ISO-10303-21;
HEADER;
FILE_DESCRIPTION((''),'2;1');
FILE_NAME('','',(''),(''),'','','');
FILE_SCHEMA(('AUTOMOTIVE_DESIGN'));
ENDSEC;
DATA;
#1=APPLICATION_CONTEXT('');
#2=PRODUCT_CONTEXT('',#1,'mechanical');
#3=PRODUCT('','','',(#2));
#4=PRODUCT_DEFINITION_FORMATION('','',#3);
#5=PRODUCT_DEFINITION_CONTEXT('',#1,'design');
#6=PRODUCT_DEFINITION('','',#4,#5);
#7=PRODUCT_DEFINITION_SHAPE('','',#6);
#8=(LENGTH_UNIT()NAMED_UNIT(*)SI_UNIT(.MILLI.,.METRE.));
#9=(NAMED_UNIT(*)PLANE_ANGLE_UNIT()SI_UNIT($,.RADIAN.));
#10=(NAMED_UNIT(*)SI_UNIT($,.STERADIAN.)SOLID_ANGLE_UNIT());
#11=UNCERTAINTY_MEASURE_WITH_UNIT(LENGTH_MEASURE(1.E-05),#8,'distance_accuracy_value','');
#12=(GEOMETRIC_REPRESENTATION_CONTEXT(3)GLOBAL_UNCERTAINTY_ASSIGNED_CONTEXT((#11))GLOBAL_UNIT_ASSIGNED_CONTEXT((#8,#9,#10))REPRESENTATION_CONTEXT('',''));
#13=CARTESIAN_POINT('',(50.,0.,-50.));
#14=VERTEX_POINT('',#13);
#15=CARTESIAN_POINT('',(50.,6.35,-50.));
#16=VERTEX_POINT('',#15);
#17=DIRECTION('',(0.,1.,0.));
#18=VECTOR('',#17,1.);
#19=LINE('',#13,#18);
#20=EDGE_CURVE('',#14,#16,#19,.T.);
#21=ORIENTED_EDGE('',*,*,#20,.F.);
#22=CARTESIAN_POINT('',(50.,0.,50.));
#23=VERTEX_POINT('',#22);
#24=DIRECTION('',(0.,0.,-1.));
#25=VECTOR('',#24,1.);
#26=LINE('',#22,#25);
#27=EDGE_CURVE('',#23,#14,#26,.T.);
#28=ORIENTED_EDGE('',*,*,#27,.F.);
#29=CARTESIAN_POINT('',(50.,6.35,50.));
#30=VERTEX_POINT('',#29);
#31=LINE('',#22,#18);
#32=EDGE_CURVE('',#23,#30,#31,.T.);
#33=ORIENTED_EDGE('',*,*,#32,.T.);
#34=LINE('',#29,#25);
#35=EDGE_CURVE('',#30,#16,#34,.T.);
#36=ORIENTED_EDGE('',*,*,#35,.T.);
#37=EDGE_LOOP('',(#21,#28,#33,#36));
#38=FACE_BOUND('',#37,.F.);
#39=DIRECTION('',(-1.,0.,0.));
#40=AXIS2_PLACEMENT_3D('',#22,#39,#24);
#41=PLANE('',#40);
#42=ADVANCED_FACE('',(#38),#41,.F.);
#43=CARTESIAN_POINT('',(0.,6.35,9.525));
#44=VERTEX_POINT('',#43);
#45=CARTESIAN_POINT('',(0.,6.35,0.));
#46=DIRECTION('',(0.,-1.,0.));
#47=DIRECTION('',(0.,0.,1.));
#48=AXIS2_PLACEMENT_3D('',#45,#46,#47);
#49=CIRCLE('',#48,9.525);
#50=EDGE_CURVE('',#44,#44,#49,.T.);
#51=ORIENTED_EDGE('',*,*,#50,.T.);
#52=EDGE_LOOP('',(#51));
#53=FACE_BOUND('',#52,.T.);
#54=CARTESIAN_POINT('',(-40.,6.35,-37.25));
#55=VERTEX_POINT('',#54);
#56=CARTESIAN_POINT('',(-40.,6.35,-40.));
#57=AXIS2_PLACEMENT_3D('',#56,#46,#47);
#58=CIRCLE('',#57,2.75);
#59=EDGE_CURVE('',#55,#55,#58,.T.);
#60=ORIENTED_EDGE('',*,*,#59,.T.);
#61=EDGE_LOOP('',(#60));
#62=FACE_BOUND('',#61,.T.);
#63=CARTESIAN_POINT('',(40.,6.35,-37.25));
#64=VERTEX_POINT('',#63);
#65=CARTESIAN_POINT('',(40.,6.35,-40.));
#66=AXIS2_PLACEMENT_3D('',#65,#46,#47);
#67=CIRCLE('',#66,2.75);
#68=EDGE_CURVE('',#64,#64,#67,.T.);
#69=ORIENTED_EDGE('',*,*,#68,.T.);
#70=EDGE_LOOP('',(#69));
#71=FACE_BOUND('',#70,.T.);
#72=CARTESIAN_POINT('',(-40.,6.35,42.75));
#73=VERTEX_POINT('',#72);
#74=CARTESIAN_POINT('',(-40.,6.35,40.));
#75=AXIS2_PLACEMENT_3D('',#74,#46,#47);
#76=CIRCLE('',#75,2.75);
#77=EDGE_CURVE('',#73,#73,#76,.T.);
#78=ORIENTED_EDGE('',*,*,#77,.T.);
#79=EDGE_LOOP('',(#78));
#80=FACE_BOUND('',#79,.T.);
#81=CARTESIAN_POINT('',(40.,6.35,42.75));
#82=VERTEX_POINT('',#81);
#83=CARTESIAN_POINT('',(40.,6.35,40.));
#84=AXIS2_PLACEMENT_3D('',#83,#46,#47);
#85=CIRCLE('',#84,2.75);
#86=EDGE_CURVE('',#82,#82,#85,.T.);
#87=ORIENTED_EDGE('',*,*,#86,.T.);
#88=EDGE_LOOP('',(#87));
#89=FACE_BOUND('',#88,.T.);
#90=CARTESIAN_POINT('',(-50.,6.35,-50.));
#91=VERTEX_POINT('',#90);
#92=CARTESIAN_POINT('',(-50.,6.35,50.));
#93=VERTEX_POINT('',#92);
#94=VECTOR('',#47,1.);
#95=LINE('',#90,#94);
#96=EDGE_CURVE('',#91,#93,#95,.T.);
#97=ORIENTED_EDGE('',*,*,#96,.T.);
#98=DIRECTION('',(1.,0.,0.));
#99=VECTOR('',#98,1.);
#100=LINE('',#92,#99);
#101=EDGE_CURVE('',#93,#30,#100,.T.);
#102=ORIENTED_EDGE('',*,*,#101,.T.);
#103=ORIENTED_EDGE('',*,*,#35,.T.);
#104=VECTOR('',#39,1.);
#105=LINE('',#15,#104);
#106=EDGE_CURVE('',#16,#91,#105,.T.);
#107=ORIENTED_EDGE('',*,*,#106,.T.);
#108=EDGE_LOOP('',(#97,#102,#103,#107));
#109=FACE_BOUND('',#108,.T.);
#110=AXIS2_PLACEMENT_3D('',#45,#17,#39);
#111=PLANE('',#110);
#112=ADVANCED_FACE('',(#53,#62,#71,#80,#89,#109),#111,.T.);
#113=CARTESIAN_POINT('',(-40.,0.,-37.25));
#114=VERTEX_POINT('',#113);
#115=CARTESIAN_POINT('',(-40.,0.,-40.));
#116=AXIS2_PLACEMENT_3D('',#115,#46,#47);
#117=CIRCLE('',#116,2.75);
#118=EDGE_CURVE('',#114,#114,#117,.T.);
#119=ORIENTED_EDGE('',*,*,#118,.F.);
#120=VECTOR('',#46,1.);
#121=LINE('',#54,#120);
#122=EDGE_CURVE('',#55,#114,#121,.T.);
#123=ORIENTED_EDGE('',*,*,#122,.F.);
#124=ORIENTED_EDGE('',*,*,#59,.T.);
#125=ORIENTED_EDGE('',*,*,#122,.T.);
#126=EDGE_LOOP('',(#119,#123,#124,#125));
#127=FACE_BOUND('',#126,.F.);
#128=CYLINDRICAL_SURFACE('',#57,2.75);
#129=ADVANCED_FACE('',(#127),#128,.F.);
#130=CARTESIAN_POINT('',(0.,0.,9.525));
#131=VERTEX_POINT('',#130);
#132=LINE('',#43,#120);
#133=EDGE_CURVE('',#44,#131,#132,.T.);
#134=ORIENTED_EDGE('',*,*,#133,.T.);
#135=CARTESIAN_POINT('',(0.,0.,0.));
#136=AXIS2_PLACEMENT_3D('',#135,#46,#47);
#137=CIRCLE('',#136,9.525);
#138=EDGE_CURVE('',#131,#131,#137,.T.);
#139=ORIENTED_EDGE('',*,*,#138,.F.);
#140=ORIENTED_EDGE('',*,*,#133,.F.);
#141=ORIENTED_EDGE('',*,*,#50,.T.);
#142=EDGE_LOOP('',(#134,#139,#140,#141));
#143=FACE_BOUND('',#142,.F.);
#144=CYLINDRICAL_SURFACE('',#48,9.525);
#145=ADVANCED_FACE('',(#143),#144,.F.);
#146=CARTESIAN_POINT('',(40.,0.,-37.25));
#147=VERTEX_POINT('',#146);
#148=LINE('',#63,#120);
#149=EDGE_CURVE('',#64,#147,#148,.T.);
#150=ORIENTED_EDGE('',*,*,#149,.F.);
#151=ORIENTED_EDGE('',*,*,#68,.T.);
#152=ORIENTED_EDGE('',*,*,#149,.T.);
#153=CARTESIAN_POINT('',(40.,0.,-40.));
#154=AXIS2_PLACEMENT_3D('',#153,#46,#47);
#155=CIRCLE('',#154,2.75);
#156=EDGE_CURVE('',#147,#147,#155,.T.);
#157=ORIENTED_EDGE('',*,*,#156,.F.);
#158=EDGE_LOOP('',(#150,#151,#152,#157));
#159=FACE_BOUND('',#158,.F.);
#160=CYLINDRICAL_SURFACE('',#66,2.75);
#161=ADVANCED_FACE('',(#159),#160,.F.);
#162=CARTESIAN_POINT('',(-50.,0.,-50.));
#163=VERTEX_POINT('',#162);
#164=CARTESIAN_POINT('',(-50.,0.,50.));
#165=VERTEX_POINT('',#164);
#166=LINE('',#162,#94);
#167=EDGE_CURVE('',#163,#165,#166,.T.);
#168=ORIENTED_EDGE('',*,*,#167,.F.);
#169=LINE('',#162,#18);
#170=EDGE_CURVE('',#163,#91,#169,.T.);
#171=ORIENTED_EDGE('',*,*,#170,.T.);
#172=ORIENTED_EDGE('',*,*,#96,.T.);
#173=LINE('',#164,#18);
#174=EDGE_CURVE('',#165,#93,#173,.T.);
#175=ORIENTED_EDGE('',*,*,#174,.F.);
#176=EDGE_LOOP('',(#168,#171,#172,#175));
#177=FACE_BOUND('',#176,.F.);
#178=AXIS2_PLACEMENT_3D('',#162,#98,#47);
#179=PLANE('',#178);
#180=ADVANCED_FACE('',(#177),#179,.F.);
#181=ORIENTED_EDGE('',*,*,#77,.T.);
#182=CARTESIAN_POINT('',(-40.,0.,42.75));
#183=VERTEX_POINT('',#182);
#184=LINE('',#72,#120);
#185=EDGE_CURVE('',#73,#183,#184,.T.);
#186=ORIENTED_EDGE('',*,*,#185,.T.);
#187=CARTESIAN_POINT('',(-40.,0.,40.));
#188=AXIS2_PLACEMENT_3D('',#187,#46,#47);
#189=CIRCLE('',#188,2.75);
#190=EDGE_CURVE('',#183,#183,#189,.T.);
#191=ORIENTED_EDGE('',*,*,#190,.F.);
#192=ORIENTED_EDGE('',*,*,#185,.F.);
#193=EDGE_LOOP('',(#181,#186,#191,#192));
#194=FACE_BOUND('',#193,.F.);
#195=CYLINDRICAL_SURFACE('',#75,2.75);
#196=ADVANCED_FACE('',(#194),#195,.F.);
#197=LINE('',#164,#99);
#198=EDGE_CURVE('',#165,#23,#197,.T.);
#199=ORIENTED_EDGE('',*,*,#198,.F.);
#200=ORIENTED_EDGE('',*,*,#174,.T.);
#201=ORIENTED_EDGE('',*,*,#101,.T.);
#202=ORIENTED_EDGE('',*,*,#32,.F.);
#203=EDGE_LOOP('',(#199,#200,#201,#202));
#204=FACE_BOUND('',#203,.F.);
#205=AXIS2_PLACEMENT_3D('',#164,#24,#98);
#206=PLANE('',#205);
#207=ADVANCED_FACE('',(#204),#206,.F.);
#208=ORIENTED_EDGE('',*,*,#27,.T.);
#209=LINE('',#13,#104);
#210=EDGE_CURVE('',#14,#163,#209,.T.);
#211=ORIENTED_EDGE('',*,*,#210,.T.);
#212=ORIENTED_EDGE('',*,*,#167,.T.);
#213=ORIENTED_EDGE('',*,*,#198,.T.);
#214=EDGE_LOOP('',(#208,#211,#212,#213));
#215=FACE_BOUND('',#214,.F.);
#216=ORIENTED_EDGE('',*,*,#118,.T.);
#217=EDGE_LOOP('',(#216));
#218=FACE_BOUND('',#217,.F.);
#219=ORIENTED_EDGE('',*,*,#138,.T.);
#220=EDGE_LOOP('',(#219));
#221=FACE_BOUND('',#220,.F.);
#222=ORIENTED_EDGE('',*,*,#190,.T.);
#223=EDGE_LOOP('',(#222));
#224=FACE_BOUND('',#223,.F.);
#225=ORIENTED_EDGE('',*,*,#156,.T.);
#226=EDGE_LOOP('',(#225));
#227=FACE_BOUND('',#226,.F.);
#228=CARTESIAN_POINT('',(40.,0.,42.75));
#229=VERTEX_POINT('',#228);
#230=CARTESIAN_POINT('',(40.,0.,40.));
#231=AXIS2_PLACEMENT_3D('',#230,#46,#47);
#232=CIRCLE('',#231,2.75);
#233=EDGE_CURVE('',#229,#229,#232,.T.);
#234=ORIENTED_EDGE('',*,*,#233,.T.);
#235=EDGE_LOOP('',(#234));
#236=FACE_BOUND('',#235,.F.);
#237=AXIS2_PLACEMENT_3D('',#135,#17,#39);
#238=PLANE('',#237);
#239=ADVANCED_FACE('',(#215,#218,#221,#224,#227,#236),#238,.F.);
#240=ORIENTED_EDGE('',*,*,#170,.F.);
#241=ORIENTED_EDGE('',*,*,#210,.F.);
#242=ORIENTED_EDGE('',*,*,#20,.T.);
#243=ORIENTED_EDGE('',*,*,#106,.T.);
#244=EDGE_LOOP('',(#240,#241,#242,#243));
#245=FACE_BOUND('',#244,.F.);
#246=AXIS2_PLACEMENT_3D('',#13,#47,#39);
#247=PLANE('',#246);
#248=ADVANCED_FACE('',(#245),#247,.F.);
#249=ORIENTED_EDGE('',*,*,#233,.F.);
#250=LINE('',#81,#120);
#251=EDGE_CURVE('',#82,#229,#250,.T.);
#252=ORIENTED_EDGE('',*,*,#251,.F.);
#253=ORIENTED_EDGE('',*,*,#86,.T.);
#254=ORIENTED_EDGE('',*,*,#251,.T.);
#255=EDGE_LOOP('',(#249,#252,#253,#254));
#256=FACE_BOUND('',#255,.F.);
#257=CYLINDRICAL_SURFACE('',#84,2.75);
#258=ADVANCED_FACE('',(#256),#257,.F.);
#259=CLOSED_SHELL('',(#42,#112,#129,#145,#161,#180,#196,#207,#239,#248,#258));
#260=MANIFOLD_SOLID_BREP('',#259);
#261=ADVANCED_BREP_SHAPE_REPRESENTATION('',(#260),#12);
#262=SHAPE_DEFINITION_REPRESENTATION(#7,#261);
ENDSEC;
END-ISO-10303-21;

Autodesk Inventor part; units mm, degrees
ref_plane "YZ Plane" through (0, 0, 0) normal (1, 0, 0) x (0, 1, 0)
ref_plane "XZ Plane" through (0, 0, 0) normal (0, 1, 0) x (-1, 0, 0)
ref_plane "XY Plane" through (0, 0, 0) normal (0, 0, 1) x (1, 0, 0)
sketch "Sketch1" plane through (0, 0, 0) normal (0, 1, 0) x (-1, 0, 0)
  line L0 (50, 50) -> (-50, 50)
  line L1 (-50, 50) -> (-50, -50)
  line L2 (-50, -50) -> (50, -50)
  line L3 (50, -50) -> (50, 50)
  line L4 (50, 50) -> (-50, -50) construction
  line L5 (-50, 50) -> (50, -50) construction
  point P0 (0, 0)
  dimension "d0" = 100
  dimension "d1" = 100
extrude "Extrusion1" add sketch "Sketch1" along normal blind 6.35
sketch "Sketch2" plane through (0, 6.35, 0) normal (0, 1, 0) x (1, 0, 0)
  line L0 (40, -40) -> (-40, -40) construction
  line L1 (-40, -40) -> (-40, 40) construction
  line L2 (-40, 40) -> (40, 40) construction
  line L3 (40, 40) -> (40, -40) construction
  line L4 (40, -40) -> (-40, 40) construction
  line L5 (-40, -40) -> (40, 40) construction
  line L6 (-50, -50) -> (50, -50) projected
  line L7 (50, -50) -> (50, 50) projected
  line L8 (50, 50) -> (-50, 50) projected
  line L9 (-50, 50) -> (-50, -50) projected
  point P0 (0, 0)
  dimension "d4" = 80
  dimension "d5" = 80
  dimension "d20" = 100
hole "Hole1" at (-40, 6.35, 40) at (-40, 6.35, -40) at (40, 6.35, -40) at (40, 6.35, 40) direction (0, -1, 0) diameter 5.5 depth 8 tip angle 118 clearance for "Hex Head Bolt" size "M5" standard "Ansi Metric M Profile"
sketch "Sketch3" plane through (0, 6.35, 0) normal (0, 1, 0) x (1, 0, 0)
  point P0 (0, 0)
  point P1 (0, 0)
hole "Hole2" at (0, 6.35, 0) direction (0, -1, 0) diameter 19.05 end through all
equation "\"d5\" = d4"
properties part number "topPlate"
